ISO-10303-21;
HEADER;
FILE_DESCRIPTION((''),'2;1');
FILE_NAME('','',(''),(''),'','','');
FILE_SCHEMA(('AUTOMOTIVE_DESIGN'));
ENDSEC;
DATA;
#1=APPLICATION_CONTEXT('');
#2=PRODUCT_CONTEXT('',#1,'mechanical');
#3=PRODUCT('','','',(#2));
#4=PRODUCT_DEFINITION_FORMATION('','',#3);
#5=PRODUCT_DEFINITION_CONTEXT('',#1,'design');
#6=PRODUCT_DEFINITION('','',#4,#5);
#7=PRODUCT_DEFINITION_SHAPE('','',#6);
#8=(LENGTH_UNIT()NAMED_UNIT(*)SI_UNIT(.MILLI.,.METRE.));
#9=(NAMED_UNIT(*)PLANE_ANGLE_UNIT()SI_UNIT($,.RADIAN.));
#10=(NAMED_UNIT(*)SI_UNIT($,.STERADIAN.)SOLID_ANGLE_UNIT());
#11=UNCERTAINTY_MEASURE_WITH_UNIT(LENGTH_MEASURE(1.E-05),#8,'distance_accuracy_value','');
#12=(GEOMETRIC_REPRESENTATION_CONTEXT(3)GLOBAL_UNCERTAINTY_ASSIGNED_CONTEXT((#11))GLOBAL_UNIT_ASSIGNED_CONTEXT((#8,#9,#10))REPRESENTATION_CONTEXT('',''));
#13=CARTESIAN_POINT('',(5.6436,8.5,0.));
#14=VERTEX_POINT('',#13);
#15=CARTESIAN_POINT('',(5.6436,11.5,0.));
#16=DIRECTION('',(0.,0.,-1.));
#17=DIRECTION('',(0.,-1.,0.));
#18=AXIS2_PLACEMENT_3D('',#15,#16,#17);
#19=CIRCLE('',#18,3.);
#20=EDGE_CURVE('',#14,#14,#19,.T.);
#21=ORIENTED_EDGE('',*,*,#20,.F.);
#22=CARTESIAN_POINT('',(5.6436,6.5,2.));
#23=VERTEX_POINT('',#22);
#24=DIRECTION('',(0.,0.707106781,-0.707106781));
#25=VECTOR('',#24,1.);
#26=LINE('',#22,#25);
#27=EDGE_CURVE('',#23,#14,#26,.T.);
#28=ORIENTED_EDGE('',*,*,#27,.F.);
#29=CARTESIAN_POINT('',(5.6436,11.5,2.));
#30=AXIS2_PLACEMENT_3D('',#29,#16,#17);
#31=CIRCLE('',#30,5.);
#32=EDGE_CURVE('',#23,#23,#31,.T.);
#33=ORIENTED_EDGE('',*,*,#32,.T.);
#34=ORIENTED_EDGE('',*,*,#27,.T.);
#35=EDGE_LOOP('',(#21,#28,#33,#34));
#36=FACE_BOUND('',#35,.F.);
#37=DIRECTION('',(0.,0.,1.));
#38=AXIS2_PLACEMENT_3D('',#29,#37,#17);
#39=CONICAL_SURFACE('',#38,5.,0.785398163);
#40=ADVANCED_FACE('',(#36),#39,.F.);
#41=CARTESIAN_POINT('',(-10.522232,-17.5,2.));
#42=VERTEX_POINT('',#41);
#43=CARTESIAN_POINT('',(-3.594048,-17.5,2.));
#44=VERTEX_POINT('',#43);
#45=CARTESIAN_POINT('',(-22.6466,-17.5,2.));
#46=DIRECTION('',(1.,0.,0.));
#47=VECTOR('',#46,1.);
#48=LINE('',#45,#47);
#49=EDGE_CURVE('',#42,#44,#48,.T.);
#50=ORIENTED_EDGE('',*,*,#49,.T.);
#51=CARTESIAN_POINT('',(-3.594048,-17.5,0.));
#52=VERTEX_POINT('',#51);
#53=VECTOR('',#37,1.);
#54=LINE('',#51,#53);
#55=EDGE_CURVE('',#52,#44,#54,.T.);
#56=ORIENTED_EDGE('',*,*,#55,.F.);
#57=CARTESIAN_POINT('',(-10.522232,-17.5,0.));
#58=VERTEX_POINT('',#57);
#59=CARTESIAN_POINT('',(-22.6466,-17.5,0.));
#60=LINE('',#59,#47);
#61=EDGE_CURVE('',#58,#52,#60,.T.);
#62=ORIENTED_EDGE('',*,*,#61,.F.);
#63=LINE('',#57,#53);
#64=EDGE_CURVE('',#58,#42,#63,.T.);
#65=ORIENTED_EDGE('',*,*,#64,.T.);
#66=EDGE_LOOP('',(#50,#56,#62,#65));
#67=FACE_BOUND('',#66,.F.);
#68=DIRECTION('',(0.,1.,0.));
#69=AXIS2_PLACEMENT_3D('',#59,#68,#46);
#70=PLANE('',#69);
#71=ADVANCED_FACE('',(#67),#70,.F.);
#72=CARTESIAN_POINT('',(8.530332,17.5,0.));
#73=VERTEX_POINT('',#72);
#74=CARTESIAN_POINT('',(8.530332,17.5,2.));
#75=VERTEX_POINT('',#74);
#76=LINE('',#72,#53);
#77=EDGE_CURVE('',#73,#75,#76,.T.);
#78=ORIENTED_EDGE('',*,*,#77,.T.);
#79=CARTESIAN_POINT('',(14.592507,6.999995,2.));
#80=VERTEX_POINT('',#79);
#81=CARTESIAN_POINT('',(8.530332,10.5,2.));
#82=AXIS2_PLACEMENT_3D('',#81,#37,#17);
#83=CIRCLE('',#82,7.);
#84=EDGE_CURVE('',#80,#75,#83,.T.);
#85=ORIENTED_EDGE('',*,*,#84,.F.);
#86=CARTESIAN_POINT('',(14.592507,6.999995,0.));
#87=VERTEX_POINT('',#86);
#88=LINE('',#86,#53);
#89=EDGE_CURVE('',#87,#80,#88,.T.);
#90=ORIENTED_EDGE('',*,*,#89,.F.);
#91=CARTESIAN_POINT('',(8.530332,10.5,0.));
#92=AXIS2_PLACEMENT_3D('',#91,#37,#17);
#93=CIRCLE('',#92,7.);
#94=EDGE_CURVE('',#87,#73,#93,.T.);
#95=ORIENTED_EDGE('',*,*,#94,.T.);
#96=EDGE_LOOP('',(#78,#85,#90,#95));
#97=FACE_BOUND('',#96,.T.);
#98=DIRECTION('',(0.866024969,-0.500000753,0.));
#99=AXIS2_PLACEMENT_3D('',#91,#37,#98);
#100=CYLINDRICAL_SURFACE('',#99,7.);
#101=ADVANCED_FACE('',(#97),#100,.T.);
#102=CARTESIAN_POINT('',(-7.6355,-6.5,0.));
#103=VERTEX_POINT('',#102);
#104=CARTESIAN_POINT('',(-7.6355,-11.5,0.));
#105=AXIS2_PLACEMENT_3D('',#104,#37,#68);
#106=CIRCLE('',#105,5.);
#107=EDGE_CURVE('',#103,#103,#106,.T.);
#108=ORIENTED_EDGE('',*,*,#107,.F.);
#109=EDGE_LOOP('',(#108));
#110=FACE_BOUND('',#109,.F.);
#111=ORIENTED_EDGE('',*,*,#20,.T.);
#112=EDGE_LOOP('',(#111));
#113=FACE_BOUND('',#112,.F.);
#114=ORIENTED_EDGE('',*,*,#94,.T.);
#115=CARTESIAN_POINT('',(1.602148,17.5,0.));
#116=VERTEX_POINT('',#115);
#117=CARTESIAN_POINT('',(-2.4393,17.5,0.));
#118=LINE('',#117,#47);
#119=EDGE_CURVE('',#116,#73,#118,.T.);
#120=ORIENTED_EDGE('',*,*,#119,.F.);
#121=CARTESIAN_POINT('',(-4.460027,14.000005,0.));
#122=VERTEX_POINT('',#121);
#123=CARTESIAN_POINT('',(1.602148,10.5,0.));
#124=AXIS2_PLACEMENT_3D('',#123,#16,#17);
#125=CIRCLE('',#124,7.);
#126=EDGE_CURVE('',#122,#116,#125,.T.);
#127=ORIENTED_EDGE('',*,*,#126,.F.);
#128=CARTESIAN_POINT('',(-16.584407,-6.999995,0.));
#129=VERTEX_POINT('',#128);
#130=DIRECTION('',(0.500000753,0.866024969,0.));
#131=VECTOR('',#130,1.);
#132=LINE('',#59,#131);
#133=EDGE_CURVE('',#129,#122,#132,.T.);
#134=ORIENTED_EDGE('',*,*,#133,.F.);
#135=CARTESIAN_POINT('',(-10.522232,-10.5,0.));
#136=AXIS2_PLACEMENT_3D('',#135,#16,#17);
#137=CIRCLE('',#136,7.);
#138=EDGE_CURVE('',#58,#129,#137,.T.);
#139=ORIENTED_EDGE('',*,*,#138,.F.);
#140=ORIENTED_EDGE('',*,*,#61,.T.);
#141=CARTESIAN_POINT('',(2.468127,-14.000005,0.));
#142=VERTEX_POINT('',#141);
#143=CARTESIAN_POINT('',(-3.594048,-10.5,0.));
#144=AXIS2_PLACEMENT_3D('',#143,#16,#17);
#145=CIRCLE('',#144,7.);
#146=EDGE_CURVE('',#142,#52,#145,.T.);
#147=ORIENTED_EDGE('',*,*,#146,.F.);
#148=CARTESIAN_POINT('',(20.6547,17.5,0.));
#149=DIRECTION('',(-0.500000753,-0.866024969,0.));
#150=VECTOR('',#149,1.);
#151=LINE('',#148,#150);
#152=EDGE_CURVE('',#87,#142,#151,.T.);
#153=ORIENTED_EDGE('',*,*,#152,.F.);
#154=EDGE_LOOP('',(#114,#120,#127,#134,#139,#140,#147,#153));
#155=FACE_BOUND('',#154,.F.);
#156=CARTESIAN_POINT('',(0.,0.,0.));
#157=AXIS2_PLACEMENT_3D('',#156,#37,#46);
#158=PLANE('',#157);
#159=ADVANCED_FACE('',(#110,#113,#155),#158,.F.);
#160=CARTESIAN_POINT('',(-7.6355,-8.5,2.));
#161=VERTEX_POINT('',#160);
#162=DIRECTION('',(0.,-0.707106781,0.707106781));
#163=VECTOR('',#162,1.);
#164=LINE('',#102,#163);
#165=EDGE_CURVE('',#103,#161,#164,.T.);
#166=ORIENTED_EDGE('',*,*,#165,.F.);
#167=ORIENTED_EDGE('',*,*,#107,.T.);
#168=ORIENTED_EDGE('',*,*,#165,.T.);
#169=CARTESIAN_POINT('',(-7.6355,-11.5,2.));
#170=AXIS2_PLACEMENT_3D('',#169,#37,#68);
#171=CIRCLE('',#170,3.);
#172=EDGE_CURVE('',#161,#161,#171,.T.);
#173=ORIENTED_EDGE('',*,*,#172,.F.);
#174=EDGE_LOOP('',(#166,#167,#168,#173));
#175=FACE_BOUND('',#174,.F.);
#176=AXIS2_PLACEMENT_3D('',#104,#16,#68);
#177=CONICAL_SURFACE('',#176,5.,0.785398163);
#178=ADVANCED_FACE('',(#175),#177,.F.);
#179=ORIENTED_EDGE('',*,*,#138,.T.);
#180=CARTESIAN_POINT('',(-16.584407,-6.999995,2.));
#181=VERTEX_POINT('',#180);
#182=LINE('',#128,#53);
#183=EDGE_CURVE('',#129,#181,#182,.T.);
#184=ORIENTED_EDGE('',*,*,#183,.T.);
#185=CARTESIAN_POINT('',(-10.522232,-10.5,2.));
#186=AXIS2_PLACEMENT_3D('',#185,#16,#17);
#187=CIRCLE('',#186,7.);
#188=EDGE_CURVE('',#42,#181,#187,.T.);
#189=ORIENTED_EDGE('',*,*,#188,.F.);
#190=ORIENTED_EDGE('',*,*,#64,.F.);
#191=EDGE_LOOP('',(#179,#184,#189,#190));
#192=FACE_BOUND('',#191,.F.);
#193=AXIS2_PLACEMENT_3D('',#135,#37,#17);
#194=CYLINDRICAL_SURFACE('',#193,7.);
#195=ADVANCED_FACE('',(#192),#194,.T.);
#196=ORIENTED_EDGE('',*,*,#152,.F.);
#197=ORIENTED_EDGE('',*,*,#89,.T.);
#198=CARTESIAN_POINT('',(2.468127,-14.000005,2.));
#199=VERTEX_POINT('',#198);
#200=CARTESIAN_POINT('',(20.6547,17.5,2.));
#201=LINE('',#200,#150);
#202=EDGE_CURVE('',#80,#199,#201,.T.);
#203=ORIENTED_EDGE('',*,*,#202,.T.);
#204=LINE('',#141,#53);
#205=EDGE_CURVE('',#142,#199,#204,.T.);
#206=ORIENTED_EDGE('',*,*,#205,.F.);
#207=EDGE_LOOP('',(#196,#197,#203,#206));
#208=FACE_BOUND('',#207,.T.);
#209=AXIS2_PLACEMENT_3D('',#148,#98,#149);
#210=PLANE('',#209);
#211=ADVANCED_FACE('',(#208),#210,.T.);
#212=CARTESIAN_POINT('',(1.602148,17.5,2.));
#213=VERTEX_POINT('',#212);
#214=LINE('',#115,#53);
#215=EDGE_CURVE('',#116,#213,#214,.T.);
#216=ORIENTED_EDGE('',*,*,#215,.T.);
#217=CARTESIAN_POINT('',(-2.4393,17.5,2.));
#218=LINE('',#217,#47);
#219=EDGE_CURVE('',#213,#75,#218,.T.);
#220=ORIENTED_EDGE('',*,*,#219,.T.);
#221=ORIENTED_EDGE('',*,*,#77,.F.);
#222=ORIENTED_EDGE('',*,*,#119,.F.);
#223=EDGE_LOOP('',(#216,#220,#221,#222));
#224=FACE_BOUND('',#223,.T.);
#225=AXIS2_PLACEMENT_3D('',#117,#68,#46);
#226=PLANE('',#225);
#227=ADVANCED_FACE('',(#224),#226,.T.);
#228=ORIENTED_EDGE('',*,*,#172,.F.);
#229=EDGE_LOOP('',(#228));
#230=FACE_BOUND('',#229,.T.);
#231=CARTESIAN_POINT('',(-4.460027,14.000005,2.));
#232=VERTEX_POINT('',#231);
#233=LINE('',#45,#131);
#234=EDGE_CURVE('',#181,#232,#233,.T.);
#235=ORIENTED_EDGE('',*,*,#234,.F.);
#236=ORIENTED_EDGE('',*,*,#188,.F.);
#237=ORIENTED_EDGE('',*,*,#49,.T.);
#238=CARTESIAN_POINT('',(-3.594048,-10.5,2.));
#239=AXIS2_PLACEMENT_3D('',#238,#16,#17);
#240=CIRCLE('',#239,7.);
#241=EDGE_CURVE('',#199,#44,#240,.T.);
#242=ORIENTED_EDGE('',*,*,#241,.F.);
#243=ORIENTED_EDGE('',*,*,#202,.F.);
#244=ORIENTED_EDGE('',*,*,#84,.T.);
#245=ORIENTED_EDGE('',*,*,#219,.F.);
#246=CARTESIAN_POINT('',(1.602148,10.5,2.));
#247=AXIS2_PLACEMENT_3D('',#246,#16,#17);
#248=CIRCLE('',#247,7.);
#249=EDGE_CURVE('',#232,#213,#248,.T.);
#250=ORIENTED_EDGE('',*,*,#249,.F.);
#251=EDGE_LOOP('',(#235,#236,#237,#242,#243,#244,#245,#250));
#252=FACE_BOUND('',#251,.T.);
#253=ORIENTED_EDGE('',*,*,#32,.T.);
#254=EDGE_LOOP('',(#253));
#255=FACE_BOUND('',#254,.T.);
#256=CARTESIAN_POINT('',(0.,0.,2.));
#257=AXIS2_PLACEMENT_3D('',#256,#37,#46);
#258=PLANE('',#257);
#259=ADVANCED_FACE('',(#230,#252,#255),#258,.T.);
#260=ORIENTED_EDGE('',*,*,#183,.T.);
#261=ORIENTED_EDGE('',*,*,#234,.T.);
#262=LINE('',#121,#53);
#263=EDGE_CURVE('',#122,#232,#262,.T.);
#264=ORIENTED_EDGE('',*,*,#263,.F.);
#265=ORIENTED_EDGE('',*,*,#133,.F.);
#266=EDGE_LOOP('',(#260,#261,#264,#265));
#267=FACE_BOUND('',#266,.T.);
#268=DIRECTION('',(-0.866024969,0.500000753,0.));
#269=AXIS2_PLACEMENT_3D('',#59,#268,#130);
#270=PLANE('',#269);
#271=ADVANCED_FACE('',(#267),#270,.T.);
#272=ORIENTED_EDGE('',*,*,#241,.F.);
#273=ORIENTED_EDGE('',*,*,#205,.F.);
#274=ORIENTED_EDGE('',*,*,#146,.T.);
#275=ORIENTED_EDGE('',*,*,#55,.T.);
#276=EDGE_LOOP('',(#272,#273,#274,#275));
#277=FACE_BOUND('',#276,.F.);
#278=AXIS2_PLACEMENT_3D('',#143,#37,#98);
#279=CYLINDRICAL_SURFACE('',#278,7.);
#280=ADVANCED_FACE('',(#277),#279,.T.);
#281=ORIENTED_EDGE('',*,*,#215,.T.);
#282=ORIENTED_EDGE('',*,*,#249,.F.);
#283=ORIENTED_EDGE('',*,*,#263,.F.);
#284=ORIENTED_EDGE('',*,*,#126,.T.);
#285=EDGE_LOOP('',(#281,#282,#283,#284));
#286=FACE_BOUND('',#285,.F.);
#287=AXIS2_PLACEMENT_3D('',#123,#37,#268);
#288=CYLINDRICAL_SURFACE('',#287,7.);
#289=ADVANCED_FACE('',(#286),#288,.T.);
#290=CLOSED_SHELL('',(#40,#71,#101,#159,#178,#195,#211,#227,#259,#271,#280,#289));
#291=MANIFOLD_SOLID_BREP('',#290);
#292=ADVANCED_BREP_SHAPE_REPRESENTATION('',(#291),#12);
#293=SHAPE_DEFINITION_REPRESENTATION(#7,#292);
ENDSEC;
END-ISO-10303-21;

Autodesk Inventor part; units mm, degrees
ref_plane "YZ Plane" through (0, 0, 0) normal (1, 0, 0) x (0, 1, 0)
ref_plane "XZ Plane" through (0, 0, 0) normal (0, 1, 0) x (-1, 0, 0)
ref_plane "XY Plane" through (0, 0, 0) normal (0, 0, 1) x (1, 0, 0)
sketch "Boceto1" plane through (0, 0, 0) normal (0, 0, 1) x (1, 0, 0)
  line L0 (20.6547, 17.5) -> (0.4474, -17.5)
  line L1 (-22.6466, -17.5) -> (-2.4393, 17.5)
  circle A0 centre (5.6436, 11.5) radius 2.5
  circle A1 centre (-7.6355, -11.5) radius 2.5
  line L2 (-7, 0) -> (7, 0) construction
  line L3 (-2.4393, 17.5) -> (20.6547, 17.5)
  line L4 (-22.6466, -17.5) -> (0.4474, -17.5)
  point P0 (0, 0)
  point P1 (10.5511, 0)
  point P2 (0, 0)
  dimension "d18" = 60
  dimension "d19" = 10
  dimension "d20" = 10
  dimension "d22" = 20
  dimension "d23" = 6
  dimension "d24" = 6
  dimension "d25" = 2.4393
  dimension "d26" = 5
  dimension "d27" = 14
  dimension "d28" = 35
extrude "Cuerpo lamina" add sketch "Boceto1" along normal blind 2
fillet "R7" radius 7 4 edges at (20.6547, 17.5, 1) (-2.4393, 17.5, 1) (0.4474, -17.5, 1) (-22.6466, -17.5, 1)
sketch "Boceto3" plane through (0, 0, 0) normal (0, 0, -1) x (-1, 0, 0)
  circle A0 centre (-5.6436, 11.5) radius 2.5 projected
  circle A1 centre (7.6355, -11.5) radius 2.5 projected
  point P0 (0, 0)
hole "BCA M5 Izq" at (-7.6355, -11.5, 0) direction (0, 0, 1) diameter 4.134 depth 14.2 tip angle 118 countersink diameter 10 countersink angle 90 thread size "M5x0.8" class "6H" standard "ANSI Metric M Profile"
sketch "Sketch4" plane through (0, 0, 2) normal (0, 0, 1) x (1, 0, 0)
  circle A0 centre (5.6436, 11.5) radius 2.5 projected
  circle A1 centre (-7.6355, -11.5) radius 2.5 projected
  point P0 (0, 0)
hole "BCA M5 Der" at (5.6436, 11.5, 2) direction (0, 0, -1) diameter 5 depth 14.2 tip angle 118 countersink diameter 10 countersink angle 90
equation "\"d19\" = 0.5 * d22"
equation "\"d20\" = d19"
equation "\"d24\" = d23"
properties part number "Lamina"
